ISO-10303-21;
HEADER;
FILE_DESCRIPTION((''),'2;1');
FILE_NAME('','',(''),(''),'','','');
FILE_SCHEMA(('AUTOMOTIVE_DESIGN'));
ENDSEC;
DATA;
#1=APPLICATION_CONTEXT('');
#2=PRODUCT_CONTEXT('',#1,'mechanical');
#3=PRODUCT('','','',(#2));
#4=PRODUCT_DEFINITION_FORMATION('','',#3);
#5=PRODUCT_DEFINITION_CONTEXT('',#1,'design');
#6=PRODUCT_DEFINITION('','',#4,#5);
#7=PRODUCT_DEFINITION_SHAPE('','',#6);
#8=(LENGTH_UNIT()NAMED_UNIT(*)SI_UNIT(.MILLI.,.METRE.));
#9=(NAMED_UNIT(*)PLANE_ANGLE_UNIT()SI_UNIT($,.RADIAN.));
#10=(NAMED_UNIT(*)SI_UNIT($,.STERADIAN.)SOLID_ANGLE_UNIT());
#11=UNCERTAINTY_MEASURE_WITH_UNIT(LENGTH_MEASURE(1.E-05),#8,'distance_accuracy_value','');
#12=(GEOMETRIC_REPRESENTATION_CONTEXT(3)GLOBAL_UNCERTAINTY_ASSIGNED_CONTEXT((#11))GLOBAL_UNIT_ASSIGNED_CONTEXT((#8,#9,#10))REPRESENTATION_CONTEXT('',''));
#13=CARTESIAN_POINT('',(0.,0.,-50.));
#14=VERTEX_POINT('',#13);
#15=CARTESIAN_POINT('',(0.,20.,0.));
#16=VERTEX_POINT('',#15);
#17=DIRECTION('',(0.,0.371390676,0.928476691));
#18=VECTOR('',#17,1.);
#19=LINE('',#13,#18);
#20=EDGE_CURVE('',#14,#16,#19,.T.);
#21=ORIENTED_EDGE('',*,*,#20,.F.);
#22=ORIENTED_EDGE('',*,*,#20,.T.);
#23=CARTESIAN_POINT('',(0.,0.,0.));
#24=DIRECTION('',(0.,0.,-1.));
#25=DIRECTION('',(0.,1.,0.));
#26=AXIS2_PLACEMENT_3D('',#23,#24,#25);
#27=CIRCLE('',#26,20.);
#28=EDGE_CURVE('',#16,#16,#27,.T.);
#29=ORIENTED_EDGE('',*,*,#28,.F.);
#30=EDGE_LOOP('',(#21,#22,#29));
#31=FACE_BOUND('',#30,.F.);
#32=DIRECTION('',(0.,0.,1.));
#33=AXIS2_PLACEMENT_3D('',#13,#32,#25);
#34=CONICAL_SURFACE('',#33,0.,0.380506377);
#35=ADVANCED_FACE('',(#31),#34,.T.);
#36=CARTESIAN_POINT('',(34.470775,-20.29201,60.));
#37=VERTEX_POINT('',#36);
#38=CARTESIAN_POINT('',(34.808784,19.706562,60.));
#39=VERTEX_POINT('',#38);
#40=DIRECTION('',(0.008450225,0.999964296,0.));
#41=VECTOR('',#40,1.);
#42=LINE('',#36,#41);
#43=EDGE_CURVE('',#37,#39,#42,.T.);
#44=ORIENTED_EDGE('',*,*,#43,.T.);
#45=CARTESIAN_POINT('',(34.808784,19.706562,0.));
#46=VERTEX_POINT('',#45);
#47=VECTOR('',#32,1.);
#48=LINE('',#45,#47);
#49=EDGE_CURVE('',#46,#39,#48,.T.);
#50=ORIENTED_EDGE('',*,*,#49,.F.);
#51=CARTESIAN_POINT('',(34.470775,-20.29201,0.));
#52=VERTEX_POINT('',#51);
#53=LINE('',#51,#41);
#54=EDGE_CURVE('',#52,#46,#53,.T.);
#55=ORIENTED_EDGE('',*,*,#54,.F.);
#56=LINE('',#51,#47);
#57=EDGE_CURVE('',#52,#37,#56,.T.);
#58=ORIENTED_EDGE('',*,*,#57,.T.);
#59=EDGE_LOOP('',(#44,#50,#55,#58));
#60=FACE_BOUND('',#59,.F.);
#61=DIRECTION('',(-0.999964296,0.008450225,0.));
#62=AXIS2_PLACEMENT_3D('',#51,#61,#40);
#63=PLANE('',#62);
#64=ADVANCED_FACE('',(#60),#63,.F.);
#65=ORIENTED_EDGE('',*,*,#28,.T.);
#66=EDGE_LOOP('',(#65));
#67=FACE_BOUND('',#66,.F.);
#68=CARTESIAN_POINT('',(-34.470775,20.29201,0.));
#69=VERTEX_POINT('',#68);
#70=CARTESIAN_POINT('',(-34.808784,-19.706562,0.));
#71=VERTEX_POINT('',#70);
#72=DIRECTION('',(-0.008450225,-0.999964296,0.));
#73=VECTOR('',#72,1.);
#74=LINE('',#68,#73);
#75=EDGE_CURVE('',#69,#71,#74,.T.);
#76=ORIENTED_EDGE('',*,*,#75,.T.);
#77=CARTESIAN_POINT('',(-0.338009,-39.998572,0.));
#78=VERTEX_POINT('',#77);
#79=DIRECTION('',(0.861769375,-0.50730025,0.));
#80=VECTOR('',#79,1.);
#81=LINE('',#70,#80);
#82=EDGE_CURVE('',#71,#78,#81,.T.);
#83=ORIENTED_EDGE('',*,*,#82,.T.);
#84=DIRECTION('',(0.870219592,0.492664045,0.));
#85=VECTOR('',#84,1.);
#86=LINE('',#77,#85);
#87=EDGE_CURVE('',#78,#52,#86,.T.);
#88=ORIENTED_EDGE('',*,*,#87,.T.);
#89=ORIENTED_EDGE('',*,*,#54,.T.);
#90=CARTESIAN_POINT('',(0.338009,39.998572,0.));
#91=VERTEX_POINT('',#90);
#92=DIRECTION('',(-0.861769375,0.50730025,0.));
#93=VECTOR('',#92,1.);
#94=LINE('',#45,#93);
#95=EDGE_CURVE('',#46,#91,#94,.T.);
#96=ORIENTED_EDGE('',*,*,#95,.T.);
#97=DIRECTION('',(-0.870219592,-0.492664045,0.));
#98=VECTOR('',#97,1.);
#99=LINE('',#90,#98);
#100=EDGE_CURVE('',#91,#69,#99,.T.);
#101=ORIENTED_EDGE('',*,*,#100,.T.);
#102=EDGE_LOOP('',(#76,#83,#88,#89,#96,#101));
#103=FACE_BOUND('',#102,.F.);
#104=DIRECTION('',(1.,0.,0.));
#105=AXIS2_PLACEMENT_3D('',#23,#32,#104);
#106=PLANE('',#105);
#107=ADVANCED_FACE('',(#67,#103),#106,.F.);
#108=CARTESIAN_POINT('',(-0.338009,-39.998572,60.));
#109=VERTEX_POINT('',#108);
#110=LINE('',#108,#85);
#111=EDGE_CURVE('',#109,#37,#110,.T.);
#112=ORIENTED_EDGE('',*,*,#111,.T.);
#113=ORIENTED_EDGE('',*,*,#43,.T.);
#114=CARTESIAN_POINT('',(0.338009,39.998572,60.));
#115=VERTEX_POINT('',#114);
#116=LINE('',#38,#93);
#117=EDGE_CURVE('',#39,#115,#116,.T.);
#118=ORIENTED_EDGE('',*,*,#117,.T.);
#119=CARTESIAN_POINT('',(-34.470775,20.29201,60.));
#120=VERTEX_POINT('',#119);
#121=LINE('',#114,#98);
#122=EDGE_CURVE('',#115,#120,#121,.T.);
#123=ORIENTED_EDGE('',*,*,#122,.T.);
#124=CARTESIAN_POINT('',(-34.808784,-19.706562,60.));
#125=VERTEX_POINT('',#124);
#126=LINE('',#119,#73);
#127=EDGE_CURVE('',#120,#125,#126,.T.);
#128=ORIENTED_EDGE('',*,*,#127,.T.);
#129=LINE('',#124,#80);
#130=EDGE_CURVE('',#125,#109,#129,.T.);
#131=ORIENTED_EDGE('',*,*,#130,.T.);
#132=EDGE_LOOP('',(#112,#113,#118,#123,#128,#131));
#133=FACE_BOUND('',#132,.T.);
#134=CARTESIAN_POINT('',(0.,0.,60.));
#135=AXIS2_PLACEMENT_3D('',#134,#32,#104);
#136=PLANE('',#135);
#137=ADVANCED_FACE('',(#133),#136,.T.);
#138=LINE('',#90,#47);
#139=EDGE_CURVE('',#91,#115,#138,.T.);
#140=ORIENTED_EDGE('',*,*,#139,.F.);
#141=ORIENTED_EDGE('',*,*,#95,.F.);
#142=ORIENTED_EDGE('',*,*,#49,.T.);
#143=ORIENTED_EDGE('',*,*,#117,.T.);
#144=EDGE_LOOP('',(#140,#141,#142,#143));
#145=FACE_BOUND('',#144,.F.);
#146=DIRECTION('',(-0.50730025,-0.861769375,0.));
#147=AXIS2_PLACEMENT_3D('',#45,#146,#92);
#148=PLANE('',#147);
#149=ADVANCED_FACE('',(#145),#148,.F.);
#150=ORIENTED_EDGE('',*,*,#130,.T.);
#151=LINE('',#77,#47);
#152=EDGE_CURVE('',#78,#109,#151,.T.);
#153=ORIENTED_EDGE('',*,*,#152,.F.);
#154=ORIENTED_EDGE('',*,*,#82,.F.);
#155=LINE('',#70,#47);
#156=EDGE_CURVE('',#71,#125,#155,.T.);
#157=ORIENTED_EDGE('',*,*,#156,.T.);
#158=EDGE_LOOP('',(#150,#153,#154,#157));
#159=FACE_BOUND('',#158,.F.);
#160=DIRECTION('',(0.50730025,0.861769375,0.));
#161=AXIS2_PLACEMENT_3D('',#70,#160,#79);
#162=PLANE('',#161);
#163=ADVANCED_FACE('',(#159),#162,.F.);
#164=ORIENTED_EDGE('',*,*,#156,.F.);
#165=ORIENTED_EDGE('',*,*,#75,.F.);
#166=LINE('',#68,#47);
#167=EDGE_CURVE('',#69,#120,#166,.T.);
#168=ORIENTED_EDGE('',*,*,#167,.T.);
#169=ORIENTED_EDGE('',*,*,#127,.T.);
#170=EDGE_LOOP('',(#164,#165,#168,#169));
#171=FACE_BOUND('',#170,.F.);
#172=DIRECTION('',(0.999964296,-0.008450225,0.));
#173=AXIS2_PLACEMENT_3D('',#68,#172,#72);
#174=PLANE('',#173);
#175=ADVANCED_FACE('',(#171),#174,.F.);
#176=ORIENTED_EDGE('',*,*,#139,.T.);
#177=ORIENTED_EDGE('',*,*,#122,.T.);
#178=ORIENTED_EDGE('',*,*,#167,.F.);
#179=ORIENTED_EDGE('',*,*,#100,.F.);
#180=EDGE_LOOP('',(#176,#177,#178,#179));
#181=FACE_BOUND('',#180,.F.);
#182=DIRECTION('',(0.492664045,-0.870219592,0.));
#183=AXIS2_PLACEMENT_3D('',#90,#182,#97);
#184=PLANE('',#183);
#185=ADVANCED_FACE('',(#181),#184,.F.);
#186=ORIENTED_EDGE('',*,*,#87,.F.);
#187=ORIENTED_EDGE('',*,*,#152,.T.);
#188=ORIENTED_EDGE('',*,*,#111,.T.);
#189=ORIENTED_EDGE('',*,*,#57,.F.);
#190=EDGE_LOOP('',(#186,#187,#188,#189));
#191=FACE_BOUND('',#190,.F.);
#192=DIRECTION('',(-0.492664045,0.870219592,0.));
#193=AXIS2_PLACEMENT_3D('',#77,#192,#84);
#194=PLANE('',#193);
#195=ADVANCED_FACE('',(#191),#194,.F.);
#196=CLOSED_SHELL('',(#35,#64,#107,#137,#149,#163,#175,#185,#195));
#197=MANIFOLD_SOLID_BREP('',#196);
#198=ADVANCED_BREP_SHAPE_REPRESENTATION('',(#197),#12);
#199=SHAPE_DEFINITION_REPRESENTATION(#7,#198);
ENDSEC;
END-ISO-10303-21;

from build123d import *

# Parameters (mm, degrees)
F1_DEPTH = 60


with BuildPart() as f1:
    # F0 (on Top) → F1 (new body)
    with BuildSketch(Plane.XY):
        Polygon((-0.338009, -39.998572), (34.470775, -20.29201), (34.808784, 19.706562), (0.338009, 39.998572), (-34.470775, 20.29201), (-34.808784, -19.706562), align=None)
    extrude(amount=F1_DEPTH)

    # F2 (on Right) → F3 (revolve)
    with BuildSketch(Plane.YZ):
        Polygon((20, 0), (0, 0), (0, -50), align=None)
    revolve(axis=Axis((0, 0, -25), (0, 0, -1)))


solid = f1.part
